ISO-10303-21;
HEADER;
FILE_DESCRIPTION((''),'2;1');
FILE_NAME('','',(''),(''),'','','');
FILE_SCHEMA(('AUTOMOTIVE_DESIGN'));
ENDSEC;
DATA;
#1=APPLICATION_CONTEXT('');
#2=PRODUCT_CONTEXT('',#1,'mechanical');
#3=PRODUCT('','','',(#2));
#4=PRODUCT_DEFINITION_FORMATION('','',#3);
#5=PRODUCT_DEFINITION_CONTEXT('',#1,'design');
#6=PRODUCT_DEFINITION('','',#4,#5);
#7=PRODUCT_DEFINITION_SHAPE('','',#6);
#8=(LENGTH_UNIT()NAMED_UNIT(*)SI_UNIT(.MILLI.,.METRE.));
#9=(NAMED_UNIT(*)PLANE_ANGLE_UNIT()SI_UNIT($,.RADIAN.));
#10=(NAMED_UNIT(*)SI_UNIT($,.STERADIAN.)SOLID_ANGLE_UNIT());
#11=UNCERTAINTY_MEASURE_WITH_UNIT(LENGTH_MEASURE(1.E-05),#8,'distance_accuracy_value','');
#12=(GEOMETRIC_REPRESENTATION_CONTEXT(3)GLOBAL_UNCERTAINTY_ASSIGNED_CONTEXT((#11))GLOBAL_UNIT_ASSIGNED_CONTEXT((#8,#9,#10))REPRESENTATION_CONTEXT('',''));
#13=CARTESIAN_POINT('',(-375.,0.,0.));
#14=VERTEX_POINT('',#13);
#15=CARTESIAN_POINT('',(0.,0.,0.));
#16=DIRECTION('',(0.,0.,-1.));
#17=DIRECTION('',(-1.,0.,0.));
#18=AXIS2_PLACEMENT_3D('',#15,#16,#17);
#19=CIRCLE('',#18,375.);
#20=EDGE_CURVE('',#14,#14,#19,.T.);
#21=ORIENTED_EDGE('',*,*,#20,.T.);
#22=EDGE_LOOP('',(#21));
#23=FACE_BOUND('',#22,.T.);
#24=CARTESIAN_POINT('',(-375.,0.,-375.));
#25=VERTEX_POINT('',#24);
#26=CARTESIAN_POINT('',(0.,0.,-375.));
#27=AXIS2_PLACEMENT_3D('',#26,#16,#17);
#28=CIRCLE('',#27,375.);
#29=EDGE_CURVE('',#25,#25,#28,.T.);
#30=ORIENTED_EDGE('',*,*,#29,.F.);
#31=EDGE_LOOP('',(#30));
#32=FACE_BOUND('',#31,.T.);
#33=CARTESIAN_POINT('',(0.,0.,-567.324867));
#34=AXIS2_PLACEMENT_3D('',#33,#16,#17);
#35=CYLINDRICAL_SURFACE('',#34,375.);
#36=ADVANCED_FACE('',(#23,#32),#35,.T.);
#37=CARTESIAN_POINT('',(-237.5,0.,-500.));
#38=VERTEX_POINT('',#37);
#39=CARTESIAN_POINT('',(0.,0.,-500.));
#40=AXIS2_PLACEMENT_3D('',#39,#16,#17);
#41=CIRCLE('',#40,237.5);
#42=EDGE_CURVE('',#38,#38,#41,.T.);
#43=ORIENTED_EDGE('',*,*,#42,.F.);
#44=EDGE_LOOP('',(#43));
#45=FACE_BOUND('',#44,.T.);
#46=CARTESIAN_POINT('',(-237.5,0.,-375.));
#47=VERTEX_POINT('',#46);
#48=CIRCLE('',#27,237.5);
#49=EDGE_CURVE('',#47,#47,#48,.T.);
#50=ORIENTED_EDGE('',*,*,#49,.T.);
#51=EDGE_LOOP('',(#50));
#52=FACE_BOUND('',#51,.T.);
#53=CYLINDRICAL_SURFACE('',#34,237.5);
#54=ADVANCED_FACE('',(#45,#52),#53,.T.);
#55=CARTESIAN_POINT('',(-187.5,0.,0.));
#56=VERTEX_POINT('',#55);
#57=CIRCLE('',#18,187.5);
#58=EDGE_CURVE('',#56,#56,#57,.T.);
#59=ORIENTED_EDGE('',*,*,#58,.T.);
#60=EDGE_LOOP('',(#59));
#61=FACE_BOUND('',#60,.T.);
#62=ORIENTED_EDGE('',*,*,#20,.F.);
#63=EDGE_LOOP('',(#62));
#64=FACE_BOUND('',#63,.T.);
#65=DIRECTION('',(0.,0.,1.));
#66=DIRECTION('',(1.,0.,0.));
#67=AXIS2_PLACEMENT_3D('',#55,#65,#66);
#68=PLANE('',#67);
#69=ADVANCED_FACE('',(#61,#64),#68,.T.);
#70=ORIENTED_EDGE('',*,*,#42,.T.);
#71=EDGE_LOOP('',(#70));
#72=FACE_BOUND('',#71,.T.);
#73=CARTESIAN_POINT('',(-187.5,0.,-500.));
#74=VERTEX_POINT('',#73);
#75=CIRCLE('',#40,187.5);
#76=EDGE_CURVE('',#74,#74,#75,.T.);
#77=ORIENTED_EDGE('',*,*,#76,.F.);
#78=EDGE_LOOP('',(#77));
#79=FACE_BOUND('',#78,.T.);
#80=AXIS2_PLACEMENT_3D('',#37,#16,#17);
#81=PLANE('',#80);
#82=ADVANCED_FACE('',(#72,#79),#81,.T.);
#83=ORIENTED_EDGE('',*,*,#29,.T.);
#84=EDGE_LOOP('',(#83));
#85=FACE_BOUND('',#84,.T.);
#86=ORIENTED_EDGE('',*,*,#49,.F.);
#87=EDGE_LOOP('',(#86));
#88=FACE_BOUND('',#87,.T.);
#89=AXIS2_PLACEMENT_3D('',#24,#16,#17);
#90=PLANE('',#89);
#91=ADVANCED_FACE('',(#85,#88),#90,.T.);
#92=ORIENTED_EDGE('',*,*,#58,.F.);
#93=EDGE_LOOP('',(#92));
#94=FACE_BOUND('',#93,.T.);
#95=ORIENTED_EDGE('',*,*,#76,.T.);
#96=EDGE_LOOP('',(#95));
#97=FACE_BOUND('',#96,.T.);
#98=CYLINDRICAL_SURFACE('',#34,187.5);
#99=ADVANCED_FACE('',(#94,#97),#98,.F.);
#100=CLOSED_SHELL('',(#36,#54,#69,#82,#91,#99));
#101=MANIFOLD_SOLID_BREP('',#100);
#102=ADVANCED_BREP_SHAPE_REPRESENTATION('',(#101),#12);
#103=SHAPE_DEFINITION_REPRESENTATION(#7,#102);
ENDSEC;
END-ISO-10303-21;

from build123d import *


with BuildPart() as part:
    # Sketch1 → Revolve1 (revolve)
    with BuildSketch(Plane(origin=(0, 0, 0), x_dir=(1, 0, 0), z_dir=(0, 1, 0))):
        Polygon((-187.5, 0), (-375, 0), (-375, 375), (-237.5, 375), (-237.5, 500), (-187.5, 500), align=None)
    revolve(axis=Axis((0, 0, -567.324866616), (0, 0, 1)))


solid = part.part
